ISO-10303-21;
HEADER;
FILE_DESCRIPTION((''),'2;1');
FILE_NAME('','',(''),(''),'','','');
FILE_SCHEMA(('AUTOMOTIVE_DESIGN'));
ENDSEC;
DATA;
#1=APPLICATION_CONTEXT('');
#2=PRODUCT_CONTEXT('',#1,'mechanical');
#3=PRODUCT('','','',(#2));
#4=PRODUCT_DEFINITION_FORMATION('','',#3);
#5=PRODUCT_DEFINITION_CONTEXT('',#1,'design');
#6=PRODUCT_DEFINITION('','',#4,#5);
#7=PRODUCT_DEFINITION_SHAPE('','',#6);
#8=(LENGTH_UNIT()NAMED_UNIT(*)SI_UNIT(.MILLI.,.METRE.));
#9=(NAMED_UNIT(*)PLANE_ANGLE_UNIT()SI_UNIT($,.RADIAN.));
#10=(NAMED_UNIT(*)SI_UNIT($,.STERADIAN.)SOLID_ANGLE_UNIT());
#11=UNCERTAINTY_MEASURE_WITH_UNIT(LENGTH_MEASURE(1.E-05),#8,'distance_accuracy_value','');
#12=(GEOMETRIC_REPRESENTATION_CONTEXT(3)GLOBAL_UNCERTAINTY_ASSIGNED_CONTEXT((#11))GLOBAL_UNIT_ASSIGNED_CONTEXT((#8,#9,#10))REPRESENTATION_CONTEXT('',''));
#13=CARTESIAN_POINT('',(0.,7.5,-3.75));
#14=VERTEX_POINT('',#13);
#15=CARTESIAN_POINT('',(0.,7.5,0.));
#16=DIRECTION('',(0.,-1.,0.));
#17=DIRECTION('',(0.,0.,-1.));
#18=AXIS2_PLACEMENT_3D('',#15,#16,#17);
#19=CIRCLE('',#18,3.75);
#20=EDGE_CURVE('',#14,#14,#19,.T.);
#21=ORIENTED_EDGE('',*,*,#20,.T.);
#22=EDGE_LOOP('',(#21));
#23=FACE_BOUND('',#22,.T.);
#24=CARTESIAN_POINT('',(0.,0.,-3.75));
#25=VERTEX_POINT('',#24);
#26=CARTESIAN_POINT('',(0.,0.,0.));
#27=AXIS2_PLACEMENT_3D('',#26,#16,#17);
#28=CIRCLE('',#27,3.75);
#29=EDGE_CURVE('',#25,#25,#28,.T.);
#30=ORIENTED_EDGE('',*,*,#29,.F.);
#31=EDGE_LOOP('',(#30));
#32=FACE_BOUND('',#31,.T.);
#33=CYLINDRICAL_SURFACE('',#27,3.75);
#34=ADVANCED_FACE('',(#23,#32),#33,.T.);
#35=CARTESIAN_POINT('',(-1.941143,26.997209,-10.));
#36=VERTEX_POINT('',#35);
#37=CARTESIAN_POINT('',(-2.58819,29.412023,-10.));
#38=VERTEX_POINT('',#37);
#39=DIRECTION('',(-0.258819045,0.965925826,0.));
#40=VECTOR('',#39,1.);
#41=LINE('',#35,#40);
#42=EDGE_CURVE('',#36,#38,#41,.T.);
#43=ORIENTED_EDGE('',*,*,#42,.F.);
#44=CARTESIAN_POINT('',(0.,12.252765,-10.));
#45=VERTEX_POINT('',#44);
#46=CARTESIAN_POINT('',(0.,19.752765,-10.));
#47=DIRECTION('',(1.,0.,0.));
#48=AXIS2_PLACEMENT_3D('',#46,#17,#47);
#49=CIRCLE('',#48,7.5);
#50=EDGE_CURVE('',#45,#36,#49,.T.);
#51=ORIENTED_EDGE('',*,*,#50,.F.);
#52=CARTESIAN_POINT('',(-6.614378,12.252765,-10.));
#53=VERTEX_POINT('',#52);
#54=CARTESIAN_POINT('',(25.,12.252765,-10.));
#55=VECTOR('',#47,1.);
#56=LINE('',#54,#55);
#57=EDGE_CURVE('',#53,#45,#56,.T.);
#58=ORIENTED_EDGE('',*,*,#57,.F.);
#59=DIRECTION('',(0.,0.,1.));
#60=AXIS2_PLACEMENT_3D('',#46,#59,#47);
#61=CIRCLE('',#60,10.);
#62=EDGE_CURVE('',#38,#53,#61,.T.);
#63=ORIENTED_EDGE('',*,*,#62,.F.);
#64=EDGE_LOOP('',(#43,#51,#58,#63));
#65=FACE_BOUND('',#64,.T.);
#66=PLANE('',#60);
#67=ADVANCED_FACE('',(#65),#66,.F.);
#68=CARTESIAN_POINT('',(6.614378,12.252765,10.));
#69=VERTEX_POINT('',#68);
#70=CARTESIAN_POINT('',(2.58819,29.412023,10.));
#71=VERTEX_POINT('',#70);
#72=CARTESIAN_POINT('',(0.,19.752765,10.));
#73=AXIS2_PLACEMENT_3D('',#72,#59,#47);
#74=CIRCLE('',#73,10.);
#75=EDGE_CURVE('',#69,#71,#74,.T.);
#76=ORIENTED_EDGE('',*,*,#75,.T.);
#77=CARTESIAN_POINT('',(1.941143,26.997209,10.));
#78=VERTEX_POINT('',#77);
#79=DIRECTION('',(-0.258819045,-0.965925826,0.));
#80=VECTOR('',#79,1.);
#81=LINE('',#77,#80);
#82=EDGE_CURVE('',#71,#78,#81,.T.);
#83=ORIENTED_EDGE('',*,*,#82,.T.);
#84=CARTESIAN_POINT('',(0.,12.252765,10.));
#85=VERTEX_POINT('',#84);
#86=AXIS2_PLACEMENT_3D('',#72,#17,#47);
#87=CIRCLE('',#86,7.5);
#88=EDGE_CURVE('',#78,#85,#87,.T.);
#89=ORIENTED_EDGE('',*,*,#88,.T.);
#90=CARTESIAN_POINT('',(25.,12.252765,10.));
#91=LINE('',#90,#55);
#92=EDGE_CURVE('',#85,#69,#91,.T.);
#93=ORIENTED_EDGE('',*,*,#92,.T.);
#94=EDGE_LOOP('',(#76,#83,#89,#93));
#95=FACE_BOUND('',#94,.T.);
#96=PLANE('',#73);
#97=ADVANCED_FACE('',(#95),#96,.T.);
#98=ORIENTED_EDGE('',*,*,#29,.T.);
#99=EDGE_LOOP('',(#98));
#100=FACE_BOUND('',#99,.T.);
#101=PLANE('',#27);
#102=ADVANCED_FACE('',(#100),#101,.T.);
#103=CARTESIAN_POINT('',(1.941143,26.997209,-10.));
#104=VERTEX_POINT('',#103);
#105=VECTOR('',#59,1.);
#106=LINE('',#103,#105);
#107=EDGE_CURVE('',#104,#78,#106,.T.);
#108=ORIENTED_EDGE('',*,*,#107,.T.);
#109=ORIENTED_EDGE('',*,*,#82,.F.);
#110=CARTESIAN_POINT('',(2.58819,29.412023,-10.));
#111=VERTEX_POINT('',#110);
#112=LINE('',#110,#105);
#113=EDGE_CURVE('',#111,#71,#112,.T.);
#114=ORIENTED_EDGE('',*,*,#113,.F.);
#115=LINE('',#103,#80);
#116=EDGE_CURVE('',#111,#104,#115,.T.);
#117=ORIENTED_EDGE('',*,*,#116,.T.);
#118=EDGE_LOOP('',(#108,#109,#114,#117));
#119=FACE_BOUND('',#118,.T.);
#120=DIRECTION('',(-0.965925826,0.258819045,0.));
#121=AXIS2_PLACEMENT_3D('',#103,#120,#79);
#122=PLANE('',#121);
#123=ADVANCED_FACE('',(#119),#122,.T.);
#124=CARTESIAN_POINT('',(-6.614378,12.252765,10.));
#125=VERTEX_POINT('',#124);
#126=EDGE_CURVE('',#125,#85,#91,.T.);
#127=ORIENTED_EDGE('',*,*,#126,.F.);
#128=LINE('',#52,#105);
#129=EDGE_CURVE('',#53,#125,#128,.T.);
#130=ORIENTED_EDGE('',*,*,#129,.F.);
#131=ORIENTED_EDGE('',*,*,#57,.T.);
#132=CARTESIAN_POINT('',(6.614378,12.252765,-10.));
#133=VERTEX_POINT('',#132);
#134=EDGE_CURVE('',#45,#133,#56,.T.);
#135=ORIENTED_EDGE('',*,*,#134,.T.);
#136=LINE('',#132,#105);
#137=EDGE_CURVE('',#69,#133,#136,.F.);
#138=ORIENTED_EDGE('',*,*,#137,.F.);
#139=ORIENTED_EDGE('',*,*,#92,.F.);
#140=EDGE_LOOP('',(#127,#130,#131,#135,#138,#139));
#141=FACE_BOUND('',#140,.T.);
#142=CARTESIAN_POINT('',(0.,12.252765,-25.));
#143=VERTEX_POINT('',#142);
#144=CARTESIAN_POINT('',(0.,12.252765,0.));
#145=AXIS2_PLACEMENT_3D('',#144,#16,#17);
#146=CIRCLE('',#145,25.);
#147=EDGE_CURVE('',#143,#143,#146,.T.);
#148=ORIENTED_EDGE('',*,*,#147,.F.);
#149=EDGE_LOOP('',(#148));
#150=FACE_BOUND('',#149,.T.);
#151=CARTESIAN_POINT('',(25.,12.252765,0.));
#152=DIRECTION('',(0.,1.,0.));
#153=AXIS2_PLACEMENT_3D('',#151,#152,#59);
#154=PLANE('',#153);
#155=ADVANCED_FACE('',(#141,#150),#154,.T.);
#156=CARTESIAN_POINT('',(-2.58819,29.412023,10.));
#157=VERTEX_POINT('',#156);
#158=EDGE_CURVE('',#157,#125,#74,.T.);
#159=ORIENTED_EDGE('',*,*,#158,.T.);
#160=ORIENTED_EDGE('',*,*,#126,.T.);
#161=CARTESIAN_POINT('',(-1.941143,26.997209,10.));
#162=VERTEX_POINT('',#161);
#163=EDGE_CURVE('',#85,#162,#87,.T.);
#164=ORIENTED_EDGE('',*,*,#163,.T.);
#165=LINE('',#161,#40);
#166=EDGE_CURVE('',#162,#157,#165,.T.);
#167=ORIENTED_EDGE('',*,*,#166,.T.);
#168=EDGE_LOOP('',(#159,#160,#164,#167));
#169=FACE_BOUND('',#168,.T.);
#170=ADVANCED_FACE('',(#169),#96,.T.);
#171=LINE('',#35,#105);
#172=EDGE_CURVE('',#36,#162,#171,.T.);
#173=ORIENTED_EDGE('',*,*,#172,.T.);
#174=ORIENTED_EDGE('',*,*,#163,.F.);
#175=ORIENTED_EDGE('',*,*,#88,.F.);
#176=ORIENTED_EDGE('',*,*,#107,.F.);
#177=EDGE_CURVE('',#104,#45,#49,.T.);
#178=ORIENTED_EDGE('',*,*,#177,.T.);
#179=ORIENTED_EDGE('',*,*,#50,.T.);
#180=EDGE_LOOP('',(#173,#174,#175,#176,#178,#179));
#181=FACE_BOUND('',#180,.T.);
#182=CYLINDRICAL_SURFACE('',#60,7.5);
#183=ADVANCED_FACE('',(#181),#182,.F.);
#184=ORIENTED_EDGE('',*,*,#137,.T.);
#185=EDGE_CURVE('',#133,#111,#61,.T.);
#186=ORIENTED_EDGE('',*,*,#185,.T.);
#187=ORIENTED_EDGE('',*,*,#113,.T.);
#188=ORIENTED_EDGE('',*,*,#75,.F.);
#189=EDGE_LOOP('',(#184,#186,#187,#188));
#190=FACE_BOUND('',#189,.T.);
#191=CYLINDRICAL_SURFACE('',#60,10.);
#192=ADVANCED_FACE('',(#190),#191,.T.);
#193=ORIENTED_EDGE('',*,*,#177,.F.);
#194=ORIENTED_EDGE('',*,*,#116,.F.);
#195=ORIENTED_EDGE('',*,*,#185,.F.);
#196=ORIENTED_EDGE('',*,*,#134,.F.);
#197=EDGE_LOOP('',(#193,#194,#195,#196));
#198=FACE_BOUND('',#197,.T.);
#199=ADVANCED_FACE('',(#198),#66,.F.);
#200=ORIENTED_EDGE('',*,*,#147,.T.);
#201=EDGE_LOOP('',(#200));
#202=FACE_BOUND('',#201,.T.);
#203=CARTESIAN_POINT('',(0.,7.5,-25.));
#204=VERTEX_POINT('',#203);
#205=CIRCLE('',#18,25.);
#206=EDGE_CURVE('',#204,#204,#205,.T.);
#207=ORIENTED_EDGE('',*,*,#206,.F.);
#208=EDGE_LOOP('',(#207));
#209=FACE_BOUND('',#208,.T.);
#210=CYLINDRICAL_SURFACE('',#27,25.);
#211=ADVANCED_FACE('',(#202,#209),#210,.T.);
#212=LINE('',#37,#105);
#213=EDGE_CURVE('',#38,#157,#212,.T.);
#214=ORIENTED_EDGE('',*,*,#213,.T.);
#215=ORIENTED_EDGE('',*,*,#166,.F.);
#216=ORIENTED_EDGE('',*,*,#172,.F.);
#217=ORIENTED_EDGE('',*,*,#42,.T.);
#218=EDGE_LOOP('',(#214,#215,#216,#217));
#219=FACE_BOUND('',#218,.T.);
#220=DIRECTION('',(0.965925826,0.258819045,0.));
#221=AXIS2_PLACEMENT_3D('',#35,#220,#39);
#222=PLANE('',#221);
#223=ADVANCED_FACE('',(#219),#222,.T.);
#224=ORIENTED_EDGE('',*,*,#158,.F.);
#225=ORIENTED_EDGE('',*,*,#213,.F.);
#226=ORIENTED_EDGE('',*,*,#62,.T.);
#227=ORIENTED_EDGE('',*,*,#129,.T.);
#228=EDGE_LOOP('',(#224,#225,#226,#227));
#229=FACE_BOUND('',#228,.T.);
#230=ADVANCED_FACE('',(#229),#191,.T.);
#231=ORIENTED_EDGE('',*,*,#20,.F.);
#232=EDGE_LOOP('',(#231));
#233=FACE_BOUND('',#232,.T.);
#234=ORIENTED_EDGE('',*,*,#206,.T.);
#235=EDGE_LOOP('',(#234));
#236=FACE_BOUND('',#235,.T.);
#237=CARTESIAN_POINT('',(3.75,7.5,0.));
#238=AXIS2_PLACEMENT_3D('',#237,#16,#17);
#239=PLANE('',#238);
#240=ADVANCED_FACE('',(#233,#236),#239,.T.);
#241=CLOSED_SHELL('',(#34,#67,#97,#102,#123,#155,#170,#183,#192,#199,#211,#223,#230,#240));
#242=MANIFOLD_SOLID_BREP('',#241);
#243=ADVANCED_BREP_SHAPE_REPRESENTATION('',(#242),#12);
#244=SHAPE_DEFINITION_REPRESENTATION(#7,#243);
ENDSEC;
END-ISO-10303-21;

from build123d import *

# Parameters (mm, degrees)
SALIENTE_EXTRUIR1_DEPTH      = 10
SALIENTE_EXTRUIR1_DEPTH_BACK = 10


with BuildPart() as part:
    # Croquis1 → Revolución1 (revolve)
    with BuildSketch(Plane.XY):
        Polygon((0, 0), (3.75, 0), (3.75, 7.5), (25, 7.5), (25, 12.252764843), (0, 12.252764843), align=None)
    revolve(axis=Axis((0, 0, 0), (0, 1, 0)))

    # Croquis2 → Saliente-Extruir1 (add, two sides: drawn at the far end of the back side and taken through both)
    with BuildSketch(Plane.XY.offset(-SALIENTE_EXTRUIR1_DEPTH_BACK)):
        with BuildLine():
            Line((-1.941142838, 26.99720854), (-2.588190451, 29.412023106))
            ThreePointArc((-2.588190451, 29.412023106), (0, 9.752764843), (2.588190451, 29.412023106))
            Line((2.588190451, 29.412023106), (1.941142838, 26.99720854))
            ThreePointArc((1.941142838, 26.99720854), (0, 12.252764843), (-1.941142838, 26.99720854))
        make_face()
    extrude(amount=SALIENTE_EXTRUIR1_DEPTH + SALIENTE_EXTRUIR1_DEPTH_BACK)


solid = part.part
